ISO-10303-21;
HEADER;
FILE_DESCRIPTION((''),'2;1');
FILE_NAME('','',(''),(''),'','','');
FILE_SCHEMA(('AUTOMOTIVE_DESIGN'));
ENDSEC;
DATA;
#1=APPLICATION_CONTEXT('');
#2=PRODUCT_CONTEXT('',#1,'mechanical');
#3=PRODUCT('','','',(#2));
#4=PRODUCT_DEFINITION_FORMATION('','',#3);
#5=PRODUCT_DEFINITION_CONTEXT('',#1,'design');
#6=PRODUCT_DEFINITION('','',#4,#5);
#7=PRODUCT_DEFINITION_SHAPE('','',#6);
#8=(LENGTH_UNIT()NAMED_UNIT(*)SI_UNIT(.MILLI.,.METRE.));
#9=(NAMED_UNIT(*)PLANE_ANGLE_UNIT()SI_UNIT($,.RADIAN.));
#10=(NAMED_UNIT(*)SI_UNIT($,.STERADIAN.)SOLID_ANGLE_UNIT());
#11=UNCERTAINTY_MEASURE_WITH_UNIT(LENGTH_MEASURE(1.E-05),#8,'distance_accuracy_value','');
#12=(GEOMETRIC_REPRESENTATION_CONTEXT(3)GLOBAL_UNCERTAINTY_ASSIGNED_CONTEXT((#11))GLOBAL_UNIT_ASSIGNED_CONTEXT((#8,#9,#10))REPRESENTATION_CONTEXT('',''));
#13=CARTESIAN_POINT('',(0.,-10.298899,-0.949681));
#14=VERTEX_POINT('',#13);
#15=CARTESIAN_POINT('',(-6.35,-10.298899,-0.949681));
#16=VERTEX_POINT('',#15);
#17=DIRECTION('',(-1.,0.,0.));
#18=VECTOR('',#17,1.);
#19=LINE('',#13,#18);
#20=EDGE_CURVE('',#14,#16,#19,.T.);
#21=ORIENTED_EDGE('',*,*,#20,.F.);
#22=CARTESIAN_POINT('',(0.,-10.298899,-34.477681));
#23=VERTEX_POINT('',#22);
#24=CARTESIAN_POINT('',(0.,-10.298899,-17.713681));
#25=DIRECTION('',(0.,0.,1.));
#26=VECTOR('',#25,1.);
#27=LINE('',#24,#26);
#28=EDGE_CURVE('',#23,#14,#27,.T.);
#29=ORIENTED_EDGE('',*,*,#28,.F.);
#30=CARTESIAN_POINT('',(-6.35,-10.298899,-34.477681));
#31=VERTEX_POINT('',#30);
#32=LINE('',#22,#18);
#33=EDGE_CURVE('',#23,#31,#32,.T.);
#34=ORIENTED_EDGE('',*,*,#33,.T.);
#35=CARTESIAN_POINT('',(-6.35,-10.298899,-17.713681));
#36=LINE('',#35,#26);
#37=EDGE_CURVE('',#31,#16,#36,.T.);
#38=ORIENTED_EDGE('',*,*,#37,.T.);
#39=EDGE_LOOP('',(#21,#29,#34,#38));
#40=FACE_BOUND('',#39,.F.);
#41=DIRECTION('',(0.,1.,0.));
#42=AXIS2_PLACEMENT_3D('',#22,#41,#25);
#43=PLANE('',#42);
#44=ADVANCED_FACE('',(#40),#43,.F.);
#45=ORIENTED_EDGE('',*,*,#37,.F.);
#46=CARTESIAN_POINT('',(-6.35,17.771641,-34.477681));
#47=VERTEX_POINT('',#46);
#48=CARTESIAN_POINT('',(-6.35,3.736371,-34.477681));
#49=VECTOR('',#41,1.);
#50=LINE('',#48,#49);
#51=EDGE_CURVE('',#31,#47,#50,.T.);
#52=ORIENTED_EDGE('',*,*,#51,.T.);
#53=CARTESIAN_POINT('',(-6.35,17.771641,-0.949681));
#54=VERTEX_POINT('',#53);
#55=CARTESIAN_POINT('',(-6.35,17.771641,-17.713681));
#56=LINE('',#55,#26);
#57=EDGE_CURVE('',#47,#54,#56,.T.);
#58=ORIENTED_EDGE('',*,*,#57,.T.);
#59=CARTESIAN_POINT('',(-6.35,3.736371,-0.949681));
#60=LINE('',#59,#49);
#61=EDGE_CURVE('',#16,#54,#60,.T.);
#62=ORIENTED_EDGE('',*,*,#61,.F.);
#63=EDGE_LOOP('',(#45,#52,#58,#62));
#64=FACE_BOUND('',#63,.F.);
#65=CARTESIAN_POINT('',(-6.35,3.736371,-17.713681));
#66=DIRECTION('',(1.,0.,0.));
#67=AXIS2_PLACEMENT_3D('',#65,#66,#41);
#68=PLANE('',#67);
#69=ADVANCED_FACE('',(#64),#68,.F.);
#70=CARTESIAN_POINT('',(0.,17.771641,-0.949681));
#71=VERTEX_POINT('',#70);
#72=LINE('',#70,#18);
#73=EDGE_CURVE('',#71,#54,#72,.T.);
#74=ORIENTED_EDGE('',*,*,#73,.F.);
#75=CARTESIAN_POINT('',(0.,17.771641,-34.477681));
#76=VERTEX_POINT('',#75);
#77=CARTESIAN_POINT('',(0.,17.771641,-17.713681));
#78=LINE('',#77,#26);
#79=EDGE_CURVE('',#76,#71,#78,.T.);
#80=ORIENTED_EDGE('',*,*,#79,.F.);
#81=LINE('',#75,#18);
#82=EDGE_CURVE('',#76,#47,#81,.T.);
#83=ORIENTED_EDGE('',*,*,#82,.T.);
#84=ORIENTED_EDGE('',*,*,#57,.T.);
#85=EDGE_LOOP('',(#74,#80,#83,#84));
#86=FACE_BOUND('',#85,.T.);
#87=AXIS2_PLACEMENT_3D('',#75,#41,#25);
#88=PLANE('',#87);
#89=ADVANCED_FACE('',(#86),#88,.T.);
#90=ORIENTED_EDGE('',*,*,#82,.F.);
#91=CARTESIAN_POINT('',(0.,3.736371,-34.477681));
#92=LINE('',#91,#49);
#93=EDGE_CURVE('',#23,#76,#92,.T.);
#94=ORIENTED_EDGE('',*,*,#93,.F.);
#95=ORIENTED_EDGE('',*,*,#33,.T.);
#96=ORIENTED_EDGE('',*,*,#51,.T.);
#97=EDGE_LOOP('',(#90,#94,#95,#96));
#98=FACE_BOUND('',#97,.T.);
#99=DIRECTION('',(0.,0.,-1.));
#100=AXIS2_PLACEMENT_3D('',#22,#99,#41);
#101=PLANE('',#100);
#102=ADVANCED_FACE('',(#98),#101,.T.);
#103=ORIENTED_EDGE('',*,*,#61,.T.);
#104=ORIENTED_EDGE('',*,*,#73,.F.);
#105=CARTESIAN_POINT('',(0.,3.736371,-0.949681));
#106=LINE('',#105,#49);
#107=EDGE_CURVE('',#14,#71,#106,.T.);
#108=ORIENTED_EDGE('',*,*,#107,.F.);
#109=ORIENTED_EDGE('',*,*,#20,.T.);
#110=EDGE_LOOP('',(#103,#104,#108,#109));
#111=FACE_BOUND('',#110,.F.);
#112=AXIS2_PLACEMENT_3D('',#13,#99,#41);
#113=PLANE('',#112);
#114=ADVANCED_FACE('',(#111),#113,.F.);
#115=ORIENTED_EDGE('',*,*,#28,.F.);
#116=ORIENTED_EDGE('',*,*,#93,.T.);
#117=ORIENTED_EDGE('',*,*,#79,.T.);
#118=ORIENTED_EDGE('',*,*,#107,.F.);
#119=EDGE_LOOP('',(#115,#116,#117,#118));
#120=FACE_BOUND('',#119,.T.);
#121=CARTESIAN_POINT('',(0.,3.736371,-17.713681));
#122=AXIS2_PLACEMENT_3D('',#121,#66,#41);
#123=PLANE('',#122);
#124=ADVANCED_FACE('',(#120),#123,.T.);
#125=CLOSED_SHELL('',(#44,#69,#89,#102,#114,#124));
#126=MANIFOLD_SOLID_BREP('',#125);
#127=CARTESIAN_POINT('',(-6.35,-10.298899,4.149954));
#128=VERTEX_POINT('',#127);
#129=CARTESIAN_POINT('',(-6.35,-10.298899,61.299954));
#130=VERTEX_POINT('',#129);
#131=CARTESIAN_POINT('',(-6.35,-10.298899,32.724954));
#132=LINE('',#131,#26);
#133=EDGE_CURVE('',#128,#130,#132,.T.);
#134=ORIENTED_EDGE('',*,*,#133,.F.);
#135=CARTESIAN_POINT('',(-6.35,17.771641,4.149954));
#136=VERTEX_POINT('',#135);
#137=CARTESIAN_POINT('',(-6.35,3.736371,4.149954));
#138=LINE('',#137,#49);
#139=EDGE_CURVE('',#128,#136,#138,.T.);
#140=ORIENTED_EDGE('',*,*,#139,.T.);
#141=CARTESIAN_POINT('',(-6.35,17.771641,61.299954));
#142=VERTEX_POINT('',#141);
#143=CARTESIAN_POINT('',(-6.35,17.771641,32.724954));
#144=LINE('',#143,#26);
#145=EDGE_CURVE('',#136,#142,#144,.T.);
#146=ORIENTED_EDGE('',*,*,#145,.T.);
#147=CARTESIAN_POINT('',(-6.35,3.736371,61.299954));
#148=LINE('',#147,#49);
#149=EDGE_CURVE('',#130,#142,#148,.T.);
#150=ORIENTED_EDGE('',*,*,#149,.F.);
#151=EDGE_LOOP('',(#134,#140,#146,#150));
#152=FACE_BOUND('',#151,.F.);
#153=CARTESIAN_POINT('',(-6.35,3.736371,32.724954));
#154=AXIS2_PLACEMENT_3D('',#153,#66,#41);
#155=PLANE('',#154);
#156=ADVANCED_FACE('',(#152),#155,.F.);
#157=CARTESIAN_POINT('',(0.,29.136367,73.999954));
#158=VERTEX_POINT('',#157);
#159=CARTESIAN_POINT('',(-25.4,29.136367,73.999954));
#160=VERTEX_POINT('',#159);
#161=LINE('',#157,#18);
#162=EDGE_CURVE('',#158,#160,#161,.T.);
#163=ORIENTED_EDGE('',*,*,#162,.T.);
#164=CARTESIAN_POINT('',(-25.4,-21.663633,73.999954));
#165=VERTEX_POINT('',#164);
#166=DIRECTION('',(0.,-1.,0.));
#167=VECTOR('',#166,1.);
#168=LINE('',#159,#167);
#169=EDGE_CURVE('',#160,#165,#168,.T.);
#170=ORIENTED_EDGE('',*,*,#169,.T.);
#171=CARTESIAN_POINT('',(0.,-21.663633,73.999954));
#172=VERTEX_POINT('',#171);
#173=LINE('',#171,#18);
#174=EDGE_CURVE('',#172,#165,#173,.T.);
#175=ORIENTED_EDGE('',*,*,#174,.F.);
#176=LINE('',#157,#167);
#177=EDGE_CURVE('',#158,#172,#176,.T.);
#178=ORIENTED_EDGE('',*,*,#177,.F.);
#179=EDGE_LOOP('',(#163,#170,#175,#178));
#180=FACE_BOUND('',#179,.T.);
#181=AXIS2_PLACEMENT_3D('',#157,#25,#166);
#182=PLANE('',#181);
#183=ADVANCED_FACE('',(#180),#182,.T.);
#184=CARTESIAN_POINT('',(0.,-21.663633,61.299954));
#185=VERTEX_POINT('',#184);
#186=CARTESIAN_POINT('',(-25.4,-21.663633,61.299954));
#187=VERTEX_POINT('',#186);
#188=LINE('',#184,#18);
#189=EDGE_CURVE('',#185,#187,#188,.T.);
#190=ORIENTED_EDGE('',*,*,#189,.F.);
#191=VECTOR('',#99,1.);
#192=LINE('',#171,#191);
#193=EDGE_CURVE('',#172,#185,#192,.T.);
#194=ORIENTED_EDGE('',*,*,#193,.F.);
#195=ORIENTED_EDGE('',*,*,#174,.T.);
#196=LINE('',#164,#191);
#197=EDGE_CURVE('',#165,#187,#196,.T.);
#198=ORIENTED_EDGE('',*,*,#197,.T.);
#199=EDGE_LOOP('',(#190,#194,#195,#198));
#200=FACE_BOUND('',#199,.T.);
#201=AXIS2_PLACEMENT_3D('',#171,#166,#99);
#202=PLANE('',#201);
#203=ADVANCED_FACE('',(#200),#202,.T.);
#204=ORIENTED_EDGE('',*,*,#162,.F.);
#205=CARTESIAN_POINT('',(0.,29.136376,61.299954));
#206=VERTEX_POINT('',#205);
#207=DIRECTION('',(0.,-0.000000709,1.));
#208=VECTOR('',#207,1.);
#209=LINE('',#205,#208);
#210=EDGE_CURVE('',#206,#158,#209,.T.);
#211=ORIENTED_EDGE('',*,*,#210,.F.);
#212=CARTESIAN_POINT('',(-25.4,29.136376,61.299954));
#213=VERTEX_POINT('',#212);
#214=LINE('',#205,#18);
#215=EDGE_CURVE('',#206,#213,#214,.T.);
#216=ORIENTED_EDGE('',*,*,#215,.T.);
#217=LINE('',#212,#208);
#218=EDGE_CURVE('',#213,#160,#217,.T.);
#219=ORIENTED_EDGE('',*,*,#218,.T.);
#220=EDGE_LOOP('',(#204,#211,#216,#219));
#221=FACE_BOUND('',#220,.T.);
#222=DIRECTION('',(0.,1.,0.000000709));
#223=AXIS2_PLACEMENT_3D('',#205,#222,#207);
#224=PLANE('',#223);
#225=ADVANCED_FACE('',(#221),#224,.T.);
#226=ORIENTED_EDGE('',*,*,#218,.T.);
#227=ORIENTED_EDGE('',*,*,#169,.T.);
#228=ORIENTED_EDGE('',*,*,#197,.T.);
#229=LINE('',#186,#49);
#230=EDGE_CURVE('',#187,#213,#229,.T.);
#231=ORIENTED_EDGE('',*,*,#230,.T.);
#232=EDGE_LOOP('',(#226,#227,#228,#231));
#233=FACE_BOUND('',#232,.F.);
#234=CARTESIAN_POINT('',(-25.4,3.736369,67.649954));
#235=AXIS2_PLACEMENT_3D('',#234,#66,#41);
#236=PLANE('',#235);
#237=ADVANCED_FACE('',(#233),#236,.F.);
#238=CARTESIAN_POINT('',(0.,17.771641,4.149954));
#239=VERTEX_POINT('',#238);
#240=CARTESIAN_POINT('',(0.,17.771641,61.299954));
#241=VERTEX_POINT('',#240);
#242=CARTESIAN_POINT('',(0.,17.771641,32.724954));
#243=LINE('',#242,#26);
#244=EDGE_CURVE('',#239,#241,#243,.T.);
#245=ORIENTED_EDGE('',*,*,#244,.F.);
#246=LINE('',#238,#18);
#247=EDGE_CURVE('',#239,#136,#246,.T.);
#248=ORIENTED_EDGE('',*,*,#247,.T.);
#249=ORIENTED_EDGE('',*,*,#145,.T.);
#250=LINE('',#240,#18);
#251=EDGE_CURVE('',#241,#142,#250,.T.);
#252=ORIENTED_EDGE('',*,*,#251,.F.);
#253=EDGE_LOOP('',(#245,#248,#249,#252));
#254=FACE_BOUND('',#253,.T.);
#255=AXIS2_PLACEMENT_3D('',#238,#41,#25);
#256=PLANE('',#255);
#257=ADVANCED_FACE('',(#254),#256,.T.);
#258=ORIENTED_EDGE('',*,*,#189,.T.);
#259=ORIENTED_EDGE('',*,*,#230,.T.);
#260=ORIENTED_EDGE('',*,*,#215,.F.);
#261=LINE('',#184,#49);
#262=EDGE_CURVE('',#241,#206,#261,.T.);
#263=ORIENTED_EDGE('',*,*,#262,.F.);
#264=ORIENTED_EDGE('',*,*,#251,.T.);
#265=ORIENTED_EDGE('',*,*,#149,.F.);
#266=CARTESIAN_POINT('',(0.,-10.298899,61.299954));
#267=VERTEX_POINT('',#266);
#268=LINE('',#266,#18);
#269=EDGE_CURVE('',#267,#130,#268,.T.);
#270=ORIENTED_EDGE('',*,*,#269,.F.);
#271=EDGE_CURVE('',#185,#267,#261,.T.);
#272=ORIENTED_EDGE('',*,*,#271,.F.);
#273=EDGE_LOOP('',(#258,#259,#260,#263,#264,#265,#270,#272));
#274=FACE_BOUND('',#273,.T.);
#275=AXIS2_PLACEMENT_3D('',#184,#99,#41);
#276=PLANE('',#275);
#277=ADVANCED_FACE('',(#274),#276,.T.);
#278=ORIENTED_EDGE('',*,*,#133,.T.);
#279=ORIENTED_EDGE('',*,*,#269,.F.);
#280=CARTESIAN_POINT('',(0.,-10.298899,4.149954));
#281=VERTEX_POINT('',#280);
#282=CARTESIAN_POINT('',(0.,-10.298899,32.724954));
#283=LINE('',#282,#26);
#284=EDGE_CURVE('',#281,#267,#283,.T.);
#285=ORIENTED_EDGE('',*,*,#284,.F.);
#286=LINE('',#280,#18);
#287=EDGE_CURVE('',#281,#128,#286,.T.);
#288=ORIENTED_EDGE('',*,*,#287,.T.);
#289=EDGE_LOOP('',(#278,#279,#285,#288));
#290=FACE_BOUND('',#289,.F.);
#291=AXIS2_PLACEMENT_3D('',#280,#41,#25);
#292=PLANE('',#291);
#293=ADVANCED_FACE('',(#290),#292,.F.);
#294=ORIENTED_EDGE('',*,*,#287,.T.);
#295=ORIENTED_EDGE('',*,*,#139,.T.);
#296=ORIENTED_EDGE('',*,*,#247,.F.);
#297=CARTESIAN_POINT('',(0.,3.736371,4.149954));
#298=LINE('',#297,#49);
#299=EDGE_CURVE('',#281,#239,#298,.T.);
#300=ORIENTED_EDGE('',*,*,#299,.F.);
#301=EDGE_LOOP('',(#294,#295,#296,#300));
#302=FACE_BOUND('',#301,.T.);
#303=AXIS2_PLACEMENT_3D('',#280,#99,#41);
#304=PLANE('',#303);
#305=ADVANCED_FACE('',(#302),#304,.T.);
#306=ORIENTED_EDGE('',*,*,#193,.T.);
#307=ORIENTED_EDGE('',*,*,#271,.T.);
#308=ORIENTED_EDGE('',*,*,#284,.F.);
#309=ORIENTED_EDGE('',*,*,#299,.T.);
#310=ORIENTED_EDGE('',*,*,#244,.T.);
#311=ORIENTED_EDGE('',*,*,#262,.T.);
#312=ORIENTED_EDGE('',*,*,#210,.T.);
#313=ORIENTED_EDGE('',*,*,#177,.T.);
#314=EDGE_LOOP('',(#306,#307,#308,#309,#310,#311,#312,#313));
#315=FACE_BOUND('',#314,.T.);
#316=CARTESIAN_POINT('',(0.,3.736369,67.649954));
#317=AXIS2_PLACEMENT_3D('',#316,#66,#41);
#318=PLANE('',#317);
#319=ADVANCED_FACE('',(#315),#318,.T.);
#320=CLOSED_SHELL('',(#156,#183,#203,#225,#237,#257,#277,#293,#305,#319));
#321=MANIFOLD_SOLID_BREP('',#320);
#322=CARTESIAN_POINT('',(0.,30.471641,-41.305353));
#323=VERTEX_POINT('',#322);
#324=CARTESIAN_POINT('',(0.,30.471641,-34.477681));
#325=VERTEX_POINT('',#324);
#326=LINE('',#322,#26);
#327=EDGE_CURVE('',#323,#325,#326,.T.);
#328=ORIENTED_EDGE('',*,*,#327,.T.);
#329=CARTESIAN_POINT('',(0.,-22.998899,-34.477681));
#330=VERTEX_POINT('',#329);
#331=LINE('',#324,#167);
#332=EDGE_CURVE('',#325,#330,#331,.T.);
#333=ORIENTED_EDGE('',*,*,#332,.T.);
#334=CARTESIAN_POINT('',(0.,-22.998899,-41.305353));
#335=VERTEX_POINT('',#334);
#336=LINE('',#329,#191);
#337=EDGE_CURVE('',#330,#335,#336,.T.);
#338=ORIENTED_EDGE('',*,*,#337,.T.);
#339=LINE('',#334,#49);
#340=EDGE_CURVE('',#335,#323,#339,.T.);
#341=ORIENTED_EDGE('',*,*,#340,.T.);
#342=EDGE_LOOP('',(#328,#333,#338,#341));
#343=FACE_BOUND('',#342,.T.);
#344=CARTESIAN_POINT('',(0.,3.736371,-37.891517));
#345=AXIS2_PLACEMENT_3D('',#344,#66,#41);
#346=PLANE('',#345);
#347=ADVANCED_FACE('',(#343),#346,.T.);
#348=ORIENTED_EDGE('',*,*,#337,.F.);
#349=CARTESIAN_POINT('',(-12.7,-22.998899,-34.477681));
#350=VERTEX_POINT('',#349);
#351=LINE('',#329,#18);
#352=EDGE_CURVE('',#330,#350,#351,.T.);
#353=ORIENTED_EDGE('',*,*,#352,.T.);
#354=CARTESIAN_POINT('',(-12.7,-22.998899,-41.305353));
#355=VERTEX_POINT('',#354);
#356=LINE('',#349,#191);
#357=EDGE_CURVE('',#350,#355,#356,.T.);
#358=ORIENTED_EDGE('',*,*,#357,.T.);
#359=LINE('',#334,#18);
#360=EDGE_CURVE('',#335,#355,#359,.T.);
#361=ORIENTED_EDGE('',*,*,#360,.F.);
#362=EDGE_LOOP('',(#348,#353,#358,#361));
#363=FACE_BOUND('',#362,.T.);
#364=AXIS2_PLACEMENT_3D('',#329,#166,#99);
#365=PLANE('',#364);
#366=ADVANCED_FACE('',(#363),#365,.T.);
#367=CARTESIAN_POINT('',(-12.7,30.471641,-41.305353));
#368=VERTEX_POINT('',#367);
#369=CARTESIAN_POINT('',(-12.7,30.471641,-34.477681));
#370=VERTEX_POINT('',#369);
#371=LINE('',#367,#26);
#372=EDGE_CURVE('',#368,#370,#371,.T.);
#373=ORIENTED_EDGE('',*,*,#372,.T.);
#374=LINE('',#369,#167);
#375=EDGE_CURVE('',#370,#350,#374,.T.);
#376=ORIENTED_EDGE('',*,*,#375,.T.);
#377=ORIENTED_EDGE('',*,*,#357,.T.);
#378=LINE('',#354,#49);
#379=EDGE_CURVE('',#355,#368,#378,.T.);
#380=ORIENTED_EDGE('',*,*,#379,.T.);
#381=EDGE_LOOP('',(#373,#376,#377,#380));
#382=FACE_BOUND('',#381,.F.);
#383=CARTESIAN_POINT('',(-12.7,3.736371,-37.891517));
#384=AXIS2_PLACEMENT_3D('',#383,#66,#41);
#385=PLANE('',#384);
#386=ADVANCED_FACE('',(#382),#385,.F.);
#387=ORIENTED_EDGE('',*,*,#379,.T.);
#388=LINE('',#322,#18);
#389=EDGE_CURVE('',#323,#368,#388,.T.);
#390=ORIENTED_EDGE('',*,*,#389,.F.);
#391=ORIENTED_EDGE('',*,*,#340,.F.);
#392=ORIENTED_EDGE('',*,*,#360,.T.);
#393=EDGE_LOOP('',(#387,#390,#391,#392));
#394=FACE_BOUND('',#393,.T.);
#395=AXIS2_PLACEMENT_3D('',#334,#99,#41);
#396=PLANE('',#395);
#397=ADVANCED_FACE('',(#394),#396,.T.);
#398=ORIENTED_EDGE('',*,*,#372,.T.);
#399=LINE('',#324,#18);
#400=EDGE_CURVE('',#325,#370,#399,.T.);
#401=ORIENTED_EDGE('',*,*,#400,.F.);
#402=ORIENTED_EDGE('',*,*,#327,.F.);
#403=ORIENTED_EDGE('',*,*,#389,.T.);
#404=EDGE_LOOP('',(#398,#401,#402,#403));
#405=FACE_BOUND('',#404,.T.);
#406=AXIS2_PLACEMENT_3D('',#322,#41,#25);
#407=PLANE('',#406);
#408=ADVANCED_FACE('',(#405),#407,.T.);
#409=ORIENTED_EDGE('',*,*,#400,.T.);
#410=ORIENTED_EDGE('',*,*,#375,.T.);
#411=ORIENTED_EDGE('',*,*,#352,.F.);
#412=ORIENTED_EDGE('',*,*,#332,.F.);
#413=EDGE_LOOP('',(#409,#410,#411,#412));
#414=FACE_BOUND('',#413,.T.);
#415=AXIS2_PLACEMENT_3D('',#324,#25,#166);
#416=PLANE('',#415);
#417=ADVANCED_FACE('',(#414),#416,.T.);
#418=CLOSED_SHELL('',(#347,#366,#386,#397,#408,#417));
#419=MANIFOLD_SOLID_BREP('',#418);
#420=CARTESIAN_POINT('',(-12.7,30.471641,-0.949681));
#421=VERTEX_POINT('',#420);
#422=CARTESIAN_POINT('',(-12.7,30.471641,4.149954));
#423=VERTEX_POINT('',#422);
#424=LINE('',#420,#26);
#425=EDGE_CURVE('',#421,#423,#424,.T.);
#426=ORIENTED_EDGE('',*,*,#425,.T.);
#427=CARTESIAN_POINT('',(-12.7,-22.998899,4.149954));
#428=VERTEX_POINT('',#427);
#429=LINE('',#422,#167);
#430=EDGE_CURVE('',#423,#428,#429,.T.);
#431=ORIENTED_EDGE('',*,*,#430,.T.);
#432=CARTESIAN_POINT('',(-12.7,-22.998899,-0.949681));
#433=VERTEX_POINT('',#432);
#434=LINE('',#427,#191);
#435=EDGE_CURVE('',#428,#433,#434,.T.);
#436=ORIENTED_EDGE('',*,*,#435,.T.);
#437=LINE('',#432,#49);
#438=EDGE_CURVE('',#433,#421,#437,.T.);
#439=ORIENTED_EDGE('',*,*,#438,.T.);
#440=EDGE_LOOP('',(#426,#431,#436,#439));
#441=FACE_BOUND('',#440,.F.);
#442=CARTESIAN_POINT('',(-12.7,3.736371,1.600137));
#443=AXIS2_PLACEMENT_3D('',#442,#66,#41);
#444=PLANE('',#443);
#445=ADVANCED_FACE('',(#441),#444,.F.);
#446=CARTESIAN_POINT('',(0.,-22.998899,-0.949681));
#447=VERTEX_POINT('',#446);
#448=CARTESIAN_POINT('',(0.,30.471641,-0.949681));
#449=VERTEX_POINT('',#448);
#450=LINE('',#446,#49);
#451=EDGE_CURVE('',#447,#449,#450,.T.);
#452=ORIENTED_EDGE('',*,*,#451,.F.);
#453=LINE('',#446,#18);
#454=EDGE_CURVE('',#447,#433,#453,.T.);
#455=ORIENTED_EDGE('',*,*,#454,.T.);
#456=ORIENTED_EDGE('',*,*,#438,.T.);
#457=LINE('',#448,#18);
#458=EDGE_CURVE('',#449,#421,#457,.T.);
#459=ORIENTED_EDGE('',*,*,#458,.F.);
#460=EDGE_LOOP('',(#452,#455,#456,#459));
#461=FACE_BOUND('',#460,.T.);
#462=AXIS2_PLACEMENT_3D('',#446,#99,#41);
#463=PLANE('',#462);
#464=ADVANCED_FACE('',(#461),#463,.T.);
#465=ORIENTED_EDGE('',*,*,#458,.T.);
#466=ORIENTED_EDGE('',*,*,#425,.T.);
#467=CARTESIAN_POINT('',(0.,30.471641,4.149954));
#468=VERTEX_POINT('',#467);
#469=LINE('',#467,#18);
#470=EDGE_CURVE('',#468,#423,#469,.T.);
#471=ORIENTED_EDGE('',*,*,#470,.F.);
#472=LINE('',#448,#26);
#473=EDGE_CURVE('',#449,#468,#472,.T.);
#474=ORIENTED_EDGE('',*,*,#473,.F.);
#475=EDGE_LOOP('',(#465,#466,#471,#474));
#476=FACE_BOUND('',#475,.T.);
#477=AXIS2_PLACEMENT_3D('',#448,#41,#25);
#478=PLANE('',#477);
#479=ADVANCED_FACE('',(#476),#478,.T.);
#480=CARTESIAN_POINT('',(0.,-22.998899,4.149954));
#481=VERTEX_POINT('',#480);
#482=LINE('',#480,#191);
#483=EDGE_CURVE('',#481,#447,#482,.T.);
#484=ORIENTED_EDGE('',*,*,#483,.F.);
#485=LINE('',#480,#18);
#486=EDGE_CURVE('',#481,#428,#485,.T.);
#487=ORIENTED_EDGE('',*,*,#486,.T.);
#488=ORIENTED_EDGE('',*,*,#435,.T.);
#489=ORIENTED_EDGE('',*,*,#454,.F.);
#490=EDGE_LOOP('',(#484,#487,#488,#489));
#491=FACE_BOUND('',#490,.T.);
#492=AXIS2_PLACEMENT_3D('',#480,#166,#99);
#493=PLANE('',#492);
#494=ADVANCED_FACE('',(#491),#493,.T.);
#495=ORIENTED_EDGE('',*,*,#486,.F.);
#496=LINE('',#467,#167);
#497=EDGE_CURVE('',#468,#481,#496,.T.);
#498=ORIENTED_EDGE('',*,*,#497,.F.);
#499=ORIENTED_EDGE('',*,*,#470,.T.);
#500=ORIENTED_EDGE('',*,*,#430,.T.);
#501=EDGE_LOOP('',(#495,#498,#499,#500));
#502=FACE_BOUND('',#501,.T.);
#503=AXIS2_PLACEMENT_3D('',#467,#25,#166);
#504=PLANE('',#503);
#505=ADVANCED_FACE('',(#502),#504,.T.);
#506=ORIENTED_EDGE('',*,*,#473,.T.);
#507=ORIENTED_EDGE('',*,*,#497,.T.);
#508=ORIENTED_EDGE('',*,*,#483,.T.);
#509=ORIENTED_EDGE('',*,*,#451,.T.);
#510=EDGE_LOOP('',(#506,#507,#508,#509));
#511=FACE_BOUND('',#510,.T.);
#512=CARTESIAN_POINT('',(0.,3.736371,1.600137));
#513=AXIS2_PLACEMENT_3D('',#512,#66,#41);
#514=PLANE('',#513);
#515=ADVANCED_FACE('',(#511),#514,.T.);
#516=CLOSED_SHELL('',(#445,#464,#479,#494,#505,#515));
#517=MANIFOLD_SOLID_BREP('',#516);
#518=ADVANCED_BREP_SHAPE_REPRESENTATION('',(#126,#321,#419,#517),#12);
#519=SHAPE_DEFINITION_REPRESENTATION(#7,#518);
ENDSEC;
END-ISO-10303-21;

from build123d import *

# Parameters (mm, degrees)
F1_DEPTH = 25.4
F0_W     = 28.07054
F0_H     = 57.15
F0_H_2   = 33.528
F2_DEPTH = 6.35
F3_DEPTH = 12.7


with BuildPart() as f1:
    # F0 (on Right) → F1 (new body)
    with BuildSketch(Plane.YZ):
        Polygon((29.136367, 73.999954), (-21.663633, 73.999954), (-21.663633, 61.299954), (-10.298899, 61.299954), (17.771641, 61.299954), (29.136376, 61.299954), align=None)
    extrude(amount=-F1_DEPTH)

    # F0 (on Right) → F2 (join)
    with BuildSketch(Plane.YZ):
        with Locations((3.736371, 32.724954)):
            Rectangle(F0_W, F0_H)
        with Locations((3.736371, -17.713681)):
            Rectangle(F0_W, F0_H_2)
    extrude(amount=-F2_DEPTH)


with BuildPart() as f3:
    # F0 (on Right) → F3 (new body)
    with BuildSketch(Plane.YZ):
        Polygon((17.771641, 4.149954), (-10.298899, 4.149954), (-22.998899, 4.149954), (-22.998899, -0.949681), (-10.298899, -0.949681), (17.771641, -0.949681), (30.471641, -0.949681), (30.471641, 4.149954), align=None)
        Polygon((17.771641, -34.477681), (-10.298899, -34.477681), (-22.998899, -34.477681), (-22.998899, -41.305353), (30.471641, -41.305353), (30.471641, -34.477681), align=None)
    extrude(amount=-F3_DEPTH)


solid = Compound([f1.part, f3.part])
